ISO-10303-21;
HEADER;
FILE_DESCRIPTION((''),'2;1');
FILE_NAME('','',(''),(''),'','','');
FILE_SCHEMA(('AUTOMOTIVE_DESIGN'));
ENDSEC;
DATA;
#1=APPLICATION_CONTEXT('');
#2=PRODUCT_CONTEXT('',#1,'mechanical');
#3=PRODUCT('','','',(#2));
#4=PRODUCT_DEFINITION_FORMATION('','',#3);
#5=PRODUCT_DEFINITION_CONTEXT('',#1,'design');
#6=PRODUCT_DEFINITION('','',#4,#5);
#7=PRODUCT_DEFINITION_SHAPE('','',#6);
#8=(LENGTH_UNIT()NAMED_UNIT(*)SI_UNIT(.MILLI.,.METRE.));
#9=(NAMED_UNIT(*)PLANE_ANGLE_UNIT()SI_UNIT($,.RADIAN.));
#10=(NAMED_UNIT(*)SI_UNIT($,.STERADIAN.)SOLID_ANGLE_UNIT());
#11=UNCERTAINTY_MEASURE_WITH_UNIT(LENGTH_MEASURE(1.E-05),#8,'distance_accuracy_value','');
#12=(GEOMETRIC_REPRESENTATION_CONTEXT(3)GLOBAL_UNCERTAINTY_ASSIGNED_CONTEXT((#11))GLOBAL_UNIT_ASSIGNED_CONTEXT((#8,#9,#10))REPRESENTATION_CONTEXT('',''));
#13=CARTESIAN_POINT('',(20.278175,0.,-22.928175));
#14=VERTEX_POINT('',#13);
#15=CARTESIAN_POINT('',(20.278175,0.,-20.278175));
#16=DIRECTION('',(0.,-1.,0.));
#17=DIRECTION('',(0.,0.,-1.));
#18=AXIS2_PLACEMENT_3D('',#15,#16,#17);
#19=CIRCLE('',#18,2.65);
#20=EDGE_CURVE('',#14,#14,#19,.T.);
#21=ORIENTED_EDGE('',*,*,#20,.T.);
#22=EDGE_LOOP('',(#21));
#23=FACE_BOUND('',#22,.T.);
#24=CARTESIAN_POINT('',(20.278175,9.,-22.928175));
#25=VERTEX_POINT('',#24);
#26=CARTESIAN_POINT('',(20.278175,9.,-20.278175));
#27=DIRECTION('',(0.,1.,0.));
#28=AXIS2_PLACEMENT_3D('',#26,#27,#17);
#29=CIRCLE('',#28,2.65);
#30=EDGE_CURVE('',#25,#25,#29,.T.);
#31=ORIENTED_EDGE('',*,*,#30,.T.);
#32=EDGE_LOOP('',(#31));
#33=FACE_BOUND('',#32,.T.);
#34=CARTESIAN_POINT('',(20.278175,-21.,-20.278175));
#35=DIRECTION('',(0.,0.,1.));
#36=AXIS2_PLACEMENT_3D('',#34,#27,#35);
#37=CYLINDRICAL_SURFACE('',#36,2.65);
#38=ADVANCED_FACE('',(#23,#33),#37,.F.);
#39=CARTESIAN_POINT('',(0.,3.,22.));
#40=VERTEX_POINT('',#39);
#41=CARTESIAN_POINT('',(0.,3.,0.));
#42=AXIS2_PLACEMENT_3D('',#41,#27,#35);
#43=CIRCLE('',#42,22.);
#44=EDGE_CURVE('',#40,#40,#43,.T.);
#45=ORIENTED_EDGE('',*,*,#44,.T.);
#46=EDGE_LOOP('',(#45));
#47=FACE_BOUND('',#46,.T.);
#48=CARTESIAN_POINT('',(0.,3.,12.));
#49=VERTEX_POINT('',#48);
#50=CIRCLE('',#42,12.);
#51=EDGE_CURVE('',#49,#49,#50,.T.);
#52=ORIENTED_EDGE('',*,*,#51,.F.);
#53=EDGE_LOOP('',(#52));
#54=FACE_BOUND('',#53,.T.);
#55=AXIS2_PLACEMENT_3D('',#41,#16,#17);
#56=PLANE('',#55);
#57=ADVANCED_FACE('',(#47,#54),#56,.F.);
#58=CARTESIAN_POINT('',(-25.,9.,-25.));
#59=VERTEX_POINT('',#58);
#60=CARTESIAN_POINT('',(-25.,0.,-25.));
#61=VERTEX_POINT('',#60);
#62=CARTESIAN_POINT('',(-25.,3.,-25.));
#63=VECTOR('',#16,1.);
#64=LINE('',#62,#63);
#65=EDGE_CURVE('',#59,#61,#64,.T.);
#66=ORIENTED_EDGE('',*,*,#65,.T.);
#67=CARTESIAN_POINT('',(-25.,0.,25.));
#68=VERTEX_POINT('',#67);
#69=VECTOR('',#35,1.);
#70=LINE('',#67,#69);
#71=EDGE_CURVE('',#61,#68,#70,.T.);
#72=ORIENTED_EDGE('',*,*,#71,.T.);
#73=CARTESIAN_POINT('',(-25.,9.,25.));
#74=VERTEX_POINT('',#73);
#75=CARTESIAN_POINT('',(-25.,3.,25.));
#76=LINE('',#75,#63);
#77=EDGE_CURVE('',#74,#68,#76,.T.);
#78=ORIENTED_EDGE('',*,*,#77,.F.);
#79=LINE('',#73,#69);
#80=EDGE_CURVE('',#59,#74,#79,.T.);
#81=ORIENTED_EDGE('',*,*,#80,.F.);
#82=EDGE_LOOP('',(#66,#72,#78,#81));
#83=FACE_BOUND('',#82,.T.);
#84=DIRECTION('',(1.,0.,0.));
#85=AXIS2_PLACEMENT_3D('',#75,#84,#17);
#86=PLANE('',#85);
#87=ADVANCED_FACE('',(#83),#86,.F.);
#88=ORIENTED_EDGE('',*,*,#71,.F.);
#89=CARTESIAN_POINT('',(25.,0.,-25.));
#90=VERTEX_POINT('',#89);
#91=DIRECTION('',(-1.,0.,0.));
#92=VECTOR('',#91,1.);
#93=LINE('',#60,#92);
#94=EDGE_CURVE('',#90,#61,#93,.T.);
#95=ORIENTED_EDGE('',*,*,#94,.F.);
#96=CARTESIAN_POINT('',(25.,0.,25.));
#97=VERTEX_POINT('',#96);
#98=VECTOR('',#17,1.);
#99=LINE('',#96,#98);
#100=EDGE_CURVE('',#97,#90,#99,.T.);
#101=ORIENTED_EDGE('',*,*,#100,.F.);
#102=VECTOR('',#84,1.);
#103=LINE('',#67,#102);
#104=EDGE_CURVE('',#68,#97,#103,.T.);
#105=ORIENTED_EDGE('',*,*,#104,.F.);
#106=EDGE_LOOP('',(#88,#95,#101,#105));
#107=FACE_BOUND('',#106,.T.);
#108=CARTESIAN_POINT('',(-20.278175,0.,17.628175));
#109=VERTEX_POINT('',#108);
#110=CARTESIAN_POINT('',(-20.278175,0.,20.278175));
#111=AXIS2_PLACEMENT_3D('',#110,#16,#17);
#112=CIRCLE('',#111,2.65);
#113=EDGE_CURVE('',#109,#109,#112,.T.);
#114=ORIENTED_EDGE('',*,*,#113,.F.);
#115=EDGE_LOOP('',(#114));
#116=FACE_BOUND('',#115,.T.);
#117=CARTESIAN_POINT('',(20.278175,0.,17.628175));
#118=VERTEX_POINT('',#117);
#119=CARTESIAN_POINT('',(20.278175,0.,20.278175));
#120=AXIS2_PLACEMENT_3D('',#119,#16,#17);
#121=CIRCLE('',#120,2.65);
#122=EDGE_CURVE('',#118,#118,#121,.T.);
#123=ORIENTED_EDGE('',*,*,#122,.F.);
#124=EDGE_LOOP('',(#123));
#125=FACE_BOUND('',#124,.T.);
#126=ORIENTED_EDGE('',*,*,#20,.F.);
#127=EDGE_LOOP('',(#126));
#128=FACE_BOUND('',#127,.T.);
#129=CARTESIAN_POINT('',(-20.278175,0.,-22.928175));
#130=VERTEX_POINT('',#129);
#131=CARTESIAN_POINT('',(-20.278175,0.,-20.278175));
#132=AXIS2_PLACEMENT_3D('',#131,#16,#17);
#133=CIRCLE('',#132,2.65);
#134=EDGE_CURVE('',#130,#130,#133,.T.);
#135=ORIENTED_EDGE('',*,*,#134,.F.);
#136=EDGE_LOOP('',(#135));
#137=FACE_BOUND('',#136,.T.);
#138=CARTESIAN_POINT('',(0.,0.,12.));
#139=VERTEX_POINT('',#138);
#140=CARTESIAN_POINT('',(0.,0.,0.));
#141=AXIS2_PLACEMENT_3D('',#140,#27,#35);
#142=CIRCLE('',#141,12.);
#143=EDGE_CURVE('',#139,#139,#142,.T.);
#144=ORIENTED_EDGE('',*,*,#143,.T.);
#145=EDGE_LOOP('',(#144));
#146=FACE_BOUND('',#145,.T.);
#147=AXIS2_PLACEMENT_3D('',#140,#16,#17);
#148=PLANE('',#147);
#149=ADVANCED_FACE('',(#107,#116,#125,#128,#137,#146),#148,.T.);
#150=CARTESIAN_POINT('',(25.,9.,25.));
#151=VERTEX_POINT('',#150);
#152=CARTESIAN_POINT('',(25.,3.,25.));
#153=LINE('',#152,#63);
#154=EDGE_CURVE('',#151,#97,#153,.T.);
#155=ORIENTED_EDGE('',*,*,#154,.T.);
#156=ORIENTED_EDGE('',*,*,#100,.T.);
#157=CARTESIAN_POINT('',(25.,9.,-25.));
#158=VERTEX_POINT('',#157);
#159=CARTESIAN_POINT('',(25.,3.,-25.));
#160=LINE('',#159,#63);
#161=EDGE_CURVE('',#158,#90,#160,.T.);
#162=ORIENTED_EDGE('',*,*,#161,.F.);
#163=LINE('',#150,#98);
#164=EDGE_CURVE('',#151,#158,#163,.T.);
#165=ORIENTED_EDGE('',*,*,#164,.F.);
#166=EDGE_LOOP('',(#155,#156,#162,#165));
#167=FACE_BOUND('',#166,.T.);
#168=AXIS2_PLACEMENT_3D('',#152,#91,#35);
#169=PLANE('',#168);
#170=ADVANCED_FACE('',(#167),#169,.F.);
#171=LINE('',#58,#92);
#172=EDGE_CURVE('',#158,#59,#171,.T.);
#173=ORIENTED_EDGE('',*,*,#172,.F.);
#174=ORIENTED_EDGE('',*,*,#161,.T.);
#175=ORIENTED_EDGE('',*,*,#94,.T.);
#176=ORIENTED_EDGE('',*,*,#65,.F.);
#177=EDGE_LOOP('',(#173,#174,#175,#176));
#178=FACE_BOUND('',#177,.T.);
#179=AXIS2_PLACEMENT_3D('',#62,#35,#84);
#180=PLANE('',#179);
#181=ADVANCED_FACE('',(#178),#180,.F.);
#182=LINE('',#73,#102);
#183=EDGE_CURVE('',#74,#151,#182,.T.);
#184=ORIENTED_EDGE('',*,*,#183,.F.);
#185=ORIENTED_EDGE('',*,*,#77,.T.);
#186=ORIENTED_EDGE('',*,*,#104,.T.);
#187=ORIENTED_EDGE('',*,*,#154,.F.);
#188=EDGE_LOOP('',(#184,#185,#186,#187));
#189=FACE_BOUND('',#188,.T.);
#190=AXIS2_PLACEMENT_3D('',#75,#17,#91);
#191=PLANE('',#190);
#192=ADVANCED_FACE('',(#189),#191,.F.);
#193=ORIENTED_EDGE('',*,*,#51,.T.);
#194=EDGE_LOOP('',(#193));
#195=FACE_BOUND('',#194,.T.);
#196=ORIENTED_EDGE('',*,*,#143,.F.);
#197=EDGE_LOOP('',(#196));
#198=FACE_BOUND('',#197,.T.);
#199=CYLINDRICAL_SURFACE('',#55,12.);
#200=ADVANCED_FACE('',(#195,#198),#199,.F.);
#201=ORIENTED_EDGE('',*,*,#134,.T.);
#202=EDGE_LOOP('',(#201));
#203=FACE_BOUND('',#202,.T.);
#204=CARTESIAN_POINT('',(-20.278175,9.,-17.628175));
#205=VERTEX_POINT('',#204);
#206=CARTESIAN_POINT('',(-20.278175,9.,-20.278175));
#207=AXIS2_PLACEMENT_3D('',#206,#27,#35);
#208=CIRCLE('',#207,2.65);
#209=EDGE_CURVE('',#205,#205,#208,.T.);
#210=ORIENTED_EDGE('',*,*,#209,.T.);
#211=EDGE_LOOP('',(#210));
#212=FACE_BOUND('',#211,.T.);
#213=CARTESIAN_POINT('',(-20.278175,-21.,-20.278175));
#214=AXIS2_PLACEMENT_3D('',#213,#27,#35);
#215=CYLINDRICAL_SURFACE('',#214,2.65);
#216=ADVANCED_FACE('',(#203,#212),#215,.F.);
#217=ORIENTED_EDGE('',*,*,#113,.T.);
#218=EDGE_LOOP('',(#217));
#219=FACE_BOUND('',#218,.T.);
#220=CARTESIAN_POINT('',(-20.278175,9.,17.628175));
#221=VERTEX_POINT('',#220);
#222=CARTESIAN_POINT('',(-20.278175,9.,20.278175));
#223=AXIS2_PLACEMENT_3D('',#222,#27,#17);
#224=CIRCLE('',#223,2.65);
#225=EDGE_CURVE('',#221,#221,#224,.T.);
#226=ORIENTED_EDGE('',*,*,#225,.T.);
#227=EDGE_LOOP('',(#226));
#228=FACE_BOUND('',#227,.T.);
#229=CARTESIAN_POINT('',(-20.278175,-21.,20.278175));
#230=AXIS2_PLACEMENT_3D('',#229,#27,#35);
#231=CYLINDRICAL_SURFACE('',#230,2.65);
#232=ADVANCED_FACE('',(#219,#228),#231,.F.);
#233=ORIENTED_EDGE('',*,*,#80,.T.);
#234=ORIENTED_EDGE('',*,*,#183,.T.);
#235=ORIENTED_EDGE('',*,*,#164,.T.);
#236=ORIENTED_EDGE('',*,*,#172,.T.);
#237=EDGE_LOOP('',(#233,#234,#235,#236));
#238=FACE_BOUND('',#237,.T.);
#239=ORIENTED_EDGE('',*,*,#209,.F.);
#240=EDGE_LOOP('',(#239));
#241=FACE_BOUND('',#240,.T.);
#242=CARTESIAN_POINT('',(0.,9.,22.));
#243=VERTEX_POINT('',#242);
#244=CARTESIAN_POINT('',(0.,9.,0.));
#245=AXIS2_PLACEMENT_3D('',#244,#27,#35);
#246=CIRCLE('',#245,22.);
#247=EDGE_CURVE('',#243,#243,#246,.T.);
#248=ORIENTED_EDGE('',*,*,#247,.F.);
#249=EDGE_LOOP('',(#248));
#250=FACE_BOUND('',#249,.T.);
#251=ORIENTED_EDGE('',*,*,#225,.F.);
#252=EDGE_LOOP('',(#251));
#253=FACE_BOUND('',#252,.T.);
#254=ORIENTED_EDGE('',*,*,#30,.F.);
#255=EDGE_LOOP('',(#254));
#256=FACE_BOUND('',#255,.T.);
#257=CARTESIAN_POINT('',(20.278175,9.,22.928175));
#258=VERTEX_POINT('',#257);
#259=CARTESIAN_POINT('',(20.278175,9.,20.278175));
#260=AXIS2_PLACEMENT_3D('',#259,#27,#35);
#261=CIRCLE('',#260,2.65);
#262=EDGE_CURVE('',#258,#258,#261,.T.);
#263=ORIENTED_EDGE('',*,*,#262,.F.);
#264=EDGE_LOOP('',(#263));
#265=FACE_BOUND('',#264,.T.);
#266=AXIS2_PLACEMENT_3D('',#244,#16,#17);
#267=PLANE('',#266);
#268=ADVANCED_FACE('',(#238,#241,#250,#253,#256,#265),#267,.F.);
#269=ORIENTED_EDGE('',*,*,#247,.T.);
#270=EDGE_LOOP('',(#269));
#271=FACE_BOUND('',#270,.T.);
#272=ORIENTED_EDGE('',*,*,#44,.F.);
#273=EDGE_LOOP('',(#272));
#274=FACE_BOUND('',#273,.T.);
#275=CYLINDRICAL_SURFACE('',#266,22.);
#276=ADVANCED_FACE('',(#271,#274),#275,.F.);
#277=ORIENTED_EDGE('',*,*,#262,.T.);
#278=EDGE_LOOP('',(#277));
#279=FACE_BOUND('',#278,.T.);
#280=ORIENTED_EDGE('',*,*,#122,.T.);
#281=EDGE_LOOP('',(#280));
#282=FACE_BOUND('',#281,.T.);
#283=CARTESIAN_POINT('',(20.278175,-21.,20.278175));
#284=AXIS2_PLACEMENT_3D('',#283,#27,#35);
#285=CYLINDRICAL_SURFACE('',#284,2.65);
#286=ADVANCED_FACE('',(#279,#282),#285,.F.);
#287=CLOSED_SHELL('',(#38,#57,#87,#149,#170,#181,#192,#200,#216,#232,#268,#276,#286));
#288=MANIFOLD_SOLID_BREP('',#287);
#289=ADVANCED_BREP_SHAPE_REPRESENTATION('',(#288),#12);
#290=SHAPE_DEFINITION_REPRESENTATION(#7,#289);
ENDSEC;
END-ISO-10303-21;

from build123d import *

# Parameters (mm, degrees)
SKETCH1_W           = 50
SKETCH1_H           = 50
SKETCH1_R           = 12
BOSS_EXTRUDE1_DEPTH = 3
SKETCH2_W           = 50
SKETCH2_H           = 50
SKETCH2_R           = 22
BOSS_EXTRUDE2_DEPTH = 6
SKETCH3_R           = 2.65
CUT_EXTRUDE1_DEPTH  = 30


with BuildPart() as part:
    # Sketch1 → Boss-Extrude1 (new body)
    with BuildSketch(Plane(origin=(0, 0, 0), x_dir=(1, 0, 0), z_dir=(0, 1, 0))):
        Rectangle(SKETCH1_W, SKETCH1_H)
        with Locations(Location((0, 0, 0), (0, 0, 270))):
            Circle(SKETCH1_R, mode=Mode.SUBTRACT)
    extrude(amount=BOSS_EXTRUDE1_DEPTH)

    # Sketch2 → Boss-Extrude2 (add)
    with BuildSketch(Plane(origin=(0, 3, 0), x_dir=(1, 0, 0), z_dir=(0, 1, 0))):
        Rectangle(SKETCH2_W, SKETCH2_H)
        with Locations(Location((0, 0, 0), (0, 0, 270))):
            Circle(SKETCH2_R, mode=Mode.SUBTRACT)
    extrude(amount=BOSS_EXTRUDE2_DEPTH)

    # Sketch3 → Cut-Extrude1 (cut)
    with BuildSketch(Plane(origin=(0, 9, 0), x_dir=(1, 0, 0), z_dir=(0, 1, 0))):
        with Locations(Location((-20.278174593, 20.278174593, 0), (0, 0, 270))):
            Circle(SKETCH3_R)
        with Locations(Location((-20.278174593, -20.278174593, 0), (0, 0, 90))):
            Circle(SKETCH3_R)
        with Locations(Location((20.278174593, -20.278174593, 0), (0, 0, 270))):
            Circle(SKETCH3_R)
        with Locations(Location((20.278174593, 20.278174593, 0), (0, 0, 90))):
            Circle(SKETCH3_R)
    extrude(amount=-CUT_EXTRUDE1_DEPTH, mode=Mode.SUBTRACT)


solid = part.part
